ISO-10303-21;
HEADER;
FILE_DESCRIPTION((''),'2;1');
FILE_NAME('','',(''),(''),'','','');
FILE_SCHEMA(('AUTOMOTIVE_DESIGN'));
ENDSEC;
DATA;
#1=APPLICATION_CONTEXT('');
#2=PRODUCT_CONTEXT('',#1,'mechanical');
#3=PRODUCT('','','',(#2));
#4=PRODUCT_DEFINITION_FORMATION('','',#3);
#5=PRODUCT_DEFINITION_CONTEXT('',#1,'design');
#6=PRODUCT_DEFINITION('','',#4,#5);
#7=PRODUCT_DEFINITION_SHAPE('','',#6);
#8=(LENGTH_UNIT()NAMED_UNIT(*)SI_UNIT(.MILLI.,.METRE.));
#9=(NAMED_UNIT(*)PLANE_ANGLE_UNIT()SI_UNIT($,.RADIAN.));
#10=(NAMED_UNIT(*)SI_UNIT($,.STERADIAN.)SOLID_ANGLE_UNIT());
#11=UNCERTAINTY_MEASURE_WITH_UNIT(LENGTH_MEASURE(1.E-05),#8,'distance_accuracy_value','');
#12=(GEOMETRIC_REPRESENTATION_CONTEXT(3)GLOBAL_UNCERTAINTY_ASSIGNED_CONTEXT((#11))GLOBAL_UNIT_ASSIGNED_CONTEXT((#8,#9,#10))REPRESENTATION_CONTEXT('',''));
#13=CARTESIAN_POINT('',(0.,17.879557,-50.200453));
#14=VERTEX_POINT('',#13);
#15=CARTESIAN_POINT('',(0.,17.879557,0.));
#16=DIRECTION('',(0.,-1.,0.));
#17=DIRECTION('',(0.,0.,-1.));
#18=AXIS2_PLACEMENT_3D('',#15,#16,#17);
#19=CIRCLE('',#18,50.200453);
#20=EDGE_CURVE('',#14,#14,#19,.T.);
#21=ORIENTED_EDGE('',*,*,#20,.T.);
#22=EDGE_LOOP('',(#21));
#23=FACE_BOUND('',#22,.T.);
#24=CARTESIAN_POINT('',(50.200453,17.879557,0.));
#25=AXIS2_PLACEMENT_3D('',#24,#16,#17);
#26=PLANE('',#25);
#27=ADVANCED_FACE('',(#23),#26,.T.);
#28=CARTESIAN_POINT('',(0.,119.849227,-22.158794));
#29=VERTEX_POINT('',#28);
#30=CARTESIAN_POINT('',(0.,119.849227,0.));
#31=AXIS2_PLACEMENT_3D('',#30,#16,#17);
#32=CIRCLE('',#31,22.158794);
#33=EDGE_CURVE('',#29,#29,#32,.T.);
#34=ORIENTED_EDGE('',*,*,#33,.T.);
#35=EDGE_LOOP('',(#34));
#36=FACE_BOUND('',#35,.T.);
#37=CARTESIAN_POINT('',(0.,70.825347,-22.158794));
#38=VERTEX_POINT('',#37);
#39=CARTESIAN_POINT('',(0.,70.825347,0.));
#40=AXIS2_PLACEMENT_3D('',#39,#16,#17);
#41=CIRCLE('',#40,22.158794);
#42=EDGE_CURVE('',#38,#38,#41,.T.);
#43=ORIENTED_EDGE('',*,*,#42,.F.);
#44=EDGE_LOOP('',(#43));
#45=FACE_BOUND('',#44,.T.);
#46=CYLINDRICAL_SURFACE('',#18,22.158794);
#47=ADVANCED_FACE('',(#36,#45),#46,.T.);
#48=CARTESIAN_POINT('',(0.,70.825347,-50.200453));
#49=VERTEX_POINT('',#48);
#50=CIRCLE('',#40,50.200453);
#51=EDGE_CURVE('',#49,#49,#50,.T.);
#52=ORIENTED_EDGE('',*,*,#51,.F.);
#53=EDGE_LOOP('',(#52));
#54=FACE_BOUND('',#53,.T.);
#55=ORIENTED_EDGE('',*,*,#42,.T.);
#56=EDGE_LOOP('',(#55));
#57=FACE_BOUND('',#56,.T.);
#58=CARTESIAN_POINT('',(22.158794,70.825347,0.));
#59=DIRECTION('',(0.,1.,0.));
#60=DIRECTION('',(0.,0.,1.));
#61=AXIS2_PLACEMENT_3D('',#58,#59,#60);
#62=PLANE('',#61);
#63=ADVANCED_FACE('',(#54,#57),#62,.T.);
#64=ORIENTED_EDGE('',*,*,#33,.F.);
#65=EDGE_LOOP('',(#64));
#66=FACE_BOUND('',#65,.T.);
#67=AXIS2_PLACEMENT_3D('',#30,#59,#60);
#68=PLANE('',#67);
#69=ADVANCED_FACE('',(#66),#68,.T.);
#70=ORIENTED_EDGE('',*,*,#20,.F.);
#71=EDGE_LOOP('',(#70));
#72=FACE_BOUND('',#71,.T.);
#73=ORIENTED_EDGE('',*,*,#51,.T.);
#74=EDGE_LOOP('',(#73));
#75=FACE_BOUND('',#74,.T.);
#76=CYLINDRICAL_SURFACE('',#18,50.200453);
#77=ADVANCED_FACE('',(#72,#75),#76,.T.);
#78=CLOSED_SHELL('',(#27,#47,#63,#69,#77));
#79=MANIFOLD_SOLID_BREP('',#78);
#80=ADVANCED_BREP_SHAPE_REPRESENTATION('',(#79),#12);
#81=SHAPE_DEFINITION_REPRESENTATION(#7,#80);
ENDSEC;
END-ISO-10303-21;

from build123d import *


with BuildPart() as part:
    # 스케치1 → 회전3 (revolve)
    with BuildSketch(Plane.XY):
        Polygon((0, 17.879556824), (0, 119.849227465), (22.158793812, 119.849227465), (22.158793812, 70.825347349), (50.200453238, 70.825347349), (50.200453238, 17.879556824), align=None)
    revolve(axis=Axis((0, 17.879556824, 0), (0, 1, 0)))


solid = part.part
